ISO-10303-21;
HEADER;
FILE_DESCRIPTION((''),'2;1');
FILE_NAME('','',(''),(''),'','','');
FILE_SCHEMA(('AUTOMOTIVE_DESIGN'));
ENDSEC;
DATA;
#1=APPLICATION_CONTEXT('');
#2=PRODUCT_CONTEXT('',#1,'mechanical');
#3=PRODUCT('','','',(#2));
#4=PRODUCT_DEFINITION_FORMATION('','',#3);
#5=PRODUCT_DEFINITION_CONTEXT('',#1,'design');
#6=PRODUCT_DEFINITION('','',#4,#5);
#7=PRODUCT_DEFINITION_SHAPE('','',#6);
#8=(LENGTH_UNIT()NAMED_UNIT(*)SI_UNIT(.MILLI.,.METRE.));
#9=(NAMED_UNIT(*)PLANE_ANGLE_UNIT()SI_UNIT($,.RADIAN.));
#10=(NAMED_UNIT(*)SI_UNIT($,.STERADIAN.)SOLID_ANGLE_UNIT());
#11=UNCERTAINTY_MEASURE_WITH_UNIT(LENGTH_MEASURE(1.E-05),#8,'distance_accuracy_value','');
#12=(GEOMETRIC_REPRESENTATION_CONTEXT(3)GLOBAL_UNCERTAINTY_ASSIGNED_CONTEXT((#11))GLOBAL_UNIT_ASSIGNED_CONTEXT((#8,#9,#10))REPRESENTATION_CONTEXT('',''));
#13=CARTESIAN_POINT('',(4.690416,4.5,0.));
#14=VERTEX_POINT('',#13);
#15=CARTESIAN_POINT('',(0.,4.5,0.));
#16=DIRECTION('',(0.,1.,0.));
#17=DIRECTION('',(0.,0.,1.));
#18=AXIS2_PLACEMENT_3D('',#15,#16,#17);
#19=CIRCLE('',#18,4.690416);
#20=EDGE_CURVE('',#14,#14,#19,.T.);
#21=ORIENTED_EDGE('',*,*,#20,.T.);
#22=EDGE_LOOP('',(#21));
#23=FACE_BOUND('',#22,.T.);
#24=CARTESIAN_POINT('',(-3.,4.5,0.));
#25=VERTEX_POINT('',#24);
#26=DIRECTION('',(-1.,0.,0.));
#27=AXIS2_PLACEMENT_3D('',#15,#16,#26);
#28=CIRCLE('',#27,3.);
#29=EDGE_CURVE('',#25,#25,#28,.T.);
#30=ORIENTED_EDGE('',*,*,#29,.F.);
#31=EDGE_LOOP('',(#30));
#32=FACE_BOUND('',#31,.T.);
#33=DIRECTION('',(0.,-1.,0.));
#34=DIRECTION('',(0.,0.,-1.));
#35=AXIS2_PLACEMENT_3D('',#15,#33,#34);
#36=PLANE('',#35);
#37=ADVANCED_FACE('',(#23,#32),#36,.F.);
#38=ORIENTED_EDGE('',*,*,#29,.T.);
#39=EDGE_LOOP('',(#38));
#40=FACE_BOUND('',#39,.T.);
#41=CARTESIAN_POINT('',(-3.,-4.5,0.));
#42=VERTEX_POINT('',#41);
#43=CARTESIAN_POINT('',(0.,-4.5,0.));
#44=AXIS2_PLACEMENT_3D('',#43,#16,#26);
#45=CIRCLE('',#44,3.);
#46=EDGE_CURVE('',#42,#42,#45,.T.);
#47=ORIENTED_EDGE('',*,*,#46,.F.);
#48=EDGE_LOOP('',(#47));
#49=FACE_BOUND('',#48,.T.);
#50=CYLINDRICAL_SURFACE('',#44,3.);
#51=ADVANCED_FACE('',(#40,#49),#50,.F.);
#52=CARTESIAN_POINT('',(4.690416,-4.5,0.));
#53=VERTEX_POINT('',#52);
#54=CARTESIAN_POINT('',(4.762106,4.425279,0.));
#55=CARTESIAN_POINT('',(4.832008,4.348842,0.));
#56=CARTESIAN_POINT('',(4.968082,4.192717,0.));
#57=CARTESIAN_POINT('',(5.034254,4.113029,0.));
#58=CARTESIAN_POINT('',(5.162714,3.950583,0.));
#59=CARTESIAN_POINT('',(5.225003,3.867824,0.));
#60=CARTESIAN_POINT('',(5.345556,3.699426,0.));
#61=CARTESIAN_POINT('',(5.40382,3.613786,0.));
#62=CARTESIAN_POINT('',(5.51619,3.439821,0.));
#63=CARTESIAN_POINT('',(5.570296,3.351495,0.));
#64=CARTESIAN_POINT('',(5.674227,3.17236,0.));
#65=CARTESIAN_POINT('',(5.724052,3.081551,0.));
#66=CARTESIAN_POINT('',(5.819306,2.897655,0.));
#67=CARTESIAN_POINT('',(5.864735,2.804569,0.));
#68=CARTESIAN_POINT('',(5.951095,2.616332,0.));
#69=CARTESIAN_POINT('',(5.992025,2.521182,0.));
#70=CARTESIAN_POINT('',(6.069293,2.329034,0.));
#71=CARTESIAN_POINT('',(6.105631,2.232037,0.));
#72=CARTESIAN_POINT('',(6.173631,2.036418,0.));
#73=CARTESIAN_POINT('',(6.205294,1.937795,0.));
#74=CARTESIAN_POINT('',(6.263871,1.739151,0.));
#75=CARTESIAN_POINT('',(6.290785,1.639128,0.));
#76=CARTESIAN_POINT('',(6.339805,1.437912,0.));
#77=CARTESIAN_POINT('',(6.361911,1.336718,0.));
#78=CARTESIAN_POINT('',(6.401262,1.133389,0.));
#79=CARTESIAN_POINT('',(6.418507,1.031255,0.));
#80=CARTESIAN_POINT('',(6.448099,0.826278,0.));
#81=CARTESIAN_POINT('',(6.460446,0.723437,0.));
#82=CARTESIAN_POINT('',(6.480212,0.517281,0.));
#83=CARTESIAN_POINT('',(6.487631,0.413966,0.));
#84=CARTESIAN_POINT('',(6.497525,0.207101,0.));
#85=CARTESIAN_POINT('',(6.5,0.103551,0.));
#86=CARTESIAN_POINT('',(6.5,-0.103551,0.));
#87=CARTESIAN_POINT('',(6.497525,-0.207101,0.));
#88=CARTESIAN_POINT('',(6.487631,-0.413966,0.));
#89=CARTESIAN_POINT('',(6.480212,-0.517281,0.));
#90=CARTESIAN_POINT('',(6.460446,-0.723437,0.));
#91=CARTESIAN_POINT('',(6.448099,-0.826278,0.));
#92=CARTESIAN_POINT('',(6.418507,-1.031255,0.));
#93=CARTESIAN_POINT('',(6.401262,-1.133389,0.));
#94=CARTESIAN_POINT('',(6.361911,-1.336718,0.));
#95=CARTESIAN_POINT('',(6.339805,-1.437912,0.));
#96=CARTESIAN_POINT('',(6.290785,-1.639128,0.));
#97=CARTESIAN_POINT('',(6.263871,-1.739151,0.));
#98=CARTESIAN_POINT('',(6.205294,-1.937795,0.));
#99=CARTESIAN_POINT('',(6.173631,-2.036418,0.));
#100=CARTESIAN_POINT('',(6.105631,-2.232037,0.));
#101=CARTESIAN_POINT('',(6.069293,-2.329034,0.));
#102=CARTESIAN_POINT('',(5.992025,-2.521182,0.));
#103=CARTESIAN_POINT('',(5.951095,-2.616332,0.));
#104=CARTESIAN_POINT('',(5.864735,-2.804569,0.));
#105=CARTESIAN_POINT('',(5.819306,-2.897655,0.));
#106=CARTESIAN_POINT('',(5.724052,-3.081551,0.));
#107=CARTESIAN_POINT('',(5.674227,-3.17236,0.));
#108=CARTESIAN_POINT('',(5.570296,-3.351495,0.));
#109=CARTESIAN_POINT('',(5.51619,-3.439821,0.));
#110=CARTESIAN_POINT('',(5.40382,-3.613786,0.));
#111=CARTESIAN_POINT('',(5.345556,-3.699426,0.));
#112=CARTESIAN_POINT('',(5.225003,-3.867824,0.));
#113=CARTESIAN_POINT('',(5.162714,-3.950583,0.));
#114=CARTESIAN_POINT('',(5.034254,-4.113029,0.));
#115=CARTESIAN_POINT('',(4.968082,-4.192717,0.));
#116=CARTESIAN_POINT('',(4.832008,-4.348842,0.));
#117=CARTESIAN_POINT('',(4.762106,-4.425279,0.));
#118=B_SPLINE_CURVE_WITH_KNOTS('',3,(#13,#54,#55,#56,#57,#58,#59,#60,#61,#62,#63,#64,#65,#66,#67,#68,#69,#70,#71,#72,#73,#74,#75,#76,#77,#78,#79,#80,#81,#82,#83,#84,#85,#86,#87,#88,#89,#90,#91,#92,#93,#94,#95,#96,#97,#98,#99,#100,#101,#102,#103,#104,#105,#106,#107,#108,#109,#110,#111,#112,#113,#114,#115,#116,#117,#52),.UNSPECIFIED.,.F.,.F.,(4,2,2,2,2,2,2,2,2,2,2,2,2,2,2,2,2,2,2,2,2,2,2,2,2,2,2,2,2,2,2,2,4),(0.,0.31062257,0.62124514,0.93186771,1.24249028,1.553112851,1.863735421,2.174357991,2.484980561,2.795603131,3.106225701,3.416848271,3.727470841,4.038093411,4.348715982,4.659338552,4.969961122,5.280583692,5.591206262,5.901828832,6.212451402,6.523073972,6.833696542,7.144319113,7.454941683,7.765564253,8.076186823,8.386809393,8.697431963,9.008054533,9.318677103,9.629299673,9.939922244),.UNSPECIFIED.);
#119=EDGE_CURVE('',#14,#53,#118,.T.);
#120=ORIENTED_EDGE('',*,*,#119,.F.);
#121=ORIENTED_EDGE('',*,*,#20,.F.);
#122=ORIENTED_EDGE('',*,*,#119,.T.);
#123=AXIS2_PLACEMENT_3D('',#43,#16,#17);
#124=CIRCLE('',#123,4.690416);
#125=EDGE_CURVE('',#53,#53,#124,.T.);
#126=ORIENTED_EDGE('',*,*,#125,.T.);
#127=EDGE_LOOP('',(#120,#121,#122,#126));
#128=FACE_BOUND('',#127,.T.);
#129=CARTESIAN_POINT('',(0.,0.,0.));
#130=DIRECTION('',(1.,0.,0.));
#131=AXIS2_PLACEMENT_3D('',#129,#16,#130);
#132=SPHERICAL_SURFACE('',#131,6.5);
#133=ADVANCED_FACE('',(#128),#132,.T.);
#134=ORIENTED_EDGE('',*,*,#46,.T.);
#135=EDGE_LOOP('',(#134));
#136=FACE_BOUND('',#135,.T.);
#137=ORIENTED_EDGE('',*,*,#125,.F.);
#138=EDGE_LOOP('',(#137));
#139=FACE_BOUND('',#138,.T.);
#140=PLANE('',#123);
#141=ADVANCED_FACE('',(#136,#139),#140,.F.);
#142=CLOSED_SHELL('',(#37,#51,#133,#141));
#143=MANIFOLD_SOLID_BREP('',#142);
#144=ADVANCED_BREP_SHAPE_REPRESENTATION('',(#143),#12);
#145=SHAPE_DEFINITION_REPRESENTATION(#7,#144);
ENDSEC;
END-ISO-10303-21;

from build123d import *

# Parameters (mm, degrees)
SKETCH_2_R          = 3
CUT_EXTRUDE_1_DEPTH = 13.86468033


with BuildPart() as part:
    # 草图1 → 旋转2 (revolve)
    with BuildSketch(Plane.XY):
        with BuildLine():
            Line((0, 4.5), (4.69041576, 4.5))
            ThreePointArc((4.69041576, 4.5), (6.5, 0), (4.69041576, -4.5))
            Line((4.69041576, -4.5), (0, -4.5))
            Line((0, -4.5), (0, 4.5))
        make_face()
    revolve(axis=Axis((0, 4.5, 0), (0, -1, 0)))

    # 草图2 → 切除-拉伸1 (cut, through all)
    with BuildSketch(Plane(origin=(0, 4.5, 0), x_dir=(1, 0, 0), z_dir=(0, 1, 0))):
        with Locations(Location((0, 0, 0), (0, 0, 180))):
            Circle(SKETCH_2_R)
    extrude(amount=-CUT_EXTRUDE_1_DEPTH, mode=Mode.SUBTRACT)


solid = part.part
